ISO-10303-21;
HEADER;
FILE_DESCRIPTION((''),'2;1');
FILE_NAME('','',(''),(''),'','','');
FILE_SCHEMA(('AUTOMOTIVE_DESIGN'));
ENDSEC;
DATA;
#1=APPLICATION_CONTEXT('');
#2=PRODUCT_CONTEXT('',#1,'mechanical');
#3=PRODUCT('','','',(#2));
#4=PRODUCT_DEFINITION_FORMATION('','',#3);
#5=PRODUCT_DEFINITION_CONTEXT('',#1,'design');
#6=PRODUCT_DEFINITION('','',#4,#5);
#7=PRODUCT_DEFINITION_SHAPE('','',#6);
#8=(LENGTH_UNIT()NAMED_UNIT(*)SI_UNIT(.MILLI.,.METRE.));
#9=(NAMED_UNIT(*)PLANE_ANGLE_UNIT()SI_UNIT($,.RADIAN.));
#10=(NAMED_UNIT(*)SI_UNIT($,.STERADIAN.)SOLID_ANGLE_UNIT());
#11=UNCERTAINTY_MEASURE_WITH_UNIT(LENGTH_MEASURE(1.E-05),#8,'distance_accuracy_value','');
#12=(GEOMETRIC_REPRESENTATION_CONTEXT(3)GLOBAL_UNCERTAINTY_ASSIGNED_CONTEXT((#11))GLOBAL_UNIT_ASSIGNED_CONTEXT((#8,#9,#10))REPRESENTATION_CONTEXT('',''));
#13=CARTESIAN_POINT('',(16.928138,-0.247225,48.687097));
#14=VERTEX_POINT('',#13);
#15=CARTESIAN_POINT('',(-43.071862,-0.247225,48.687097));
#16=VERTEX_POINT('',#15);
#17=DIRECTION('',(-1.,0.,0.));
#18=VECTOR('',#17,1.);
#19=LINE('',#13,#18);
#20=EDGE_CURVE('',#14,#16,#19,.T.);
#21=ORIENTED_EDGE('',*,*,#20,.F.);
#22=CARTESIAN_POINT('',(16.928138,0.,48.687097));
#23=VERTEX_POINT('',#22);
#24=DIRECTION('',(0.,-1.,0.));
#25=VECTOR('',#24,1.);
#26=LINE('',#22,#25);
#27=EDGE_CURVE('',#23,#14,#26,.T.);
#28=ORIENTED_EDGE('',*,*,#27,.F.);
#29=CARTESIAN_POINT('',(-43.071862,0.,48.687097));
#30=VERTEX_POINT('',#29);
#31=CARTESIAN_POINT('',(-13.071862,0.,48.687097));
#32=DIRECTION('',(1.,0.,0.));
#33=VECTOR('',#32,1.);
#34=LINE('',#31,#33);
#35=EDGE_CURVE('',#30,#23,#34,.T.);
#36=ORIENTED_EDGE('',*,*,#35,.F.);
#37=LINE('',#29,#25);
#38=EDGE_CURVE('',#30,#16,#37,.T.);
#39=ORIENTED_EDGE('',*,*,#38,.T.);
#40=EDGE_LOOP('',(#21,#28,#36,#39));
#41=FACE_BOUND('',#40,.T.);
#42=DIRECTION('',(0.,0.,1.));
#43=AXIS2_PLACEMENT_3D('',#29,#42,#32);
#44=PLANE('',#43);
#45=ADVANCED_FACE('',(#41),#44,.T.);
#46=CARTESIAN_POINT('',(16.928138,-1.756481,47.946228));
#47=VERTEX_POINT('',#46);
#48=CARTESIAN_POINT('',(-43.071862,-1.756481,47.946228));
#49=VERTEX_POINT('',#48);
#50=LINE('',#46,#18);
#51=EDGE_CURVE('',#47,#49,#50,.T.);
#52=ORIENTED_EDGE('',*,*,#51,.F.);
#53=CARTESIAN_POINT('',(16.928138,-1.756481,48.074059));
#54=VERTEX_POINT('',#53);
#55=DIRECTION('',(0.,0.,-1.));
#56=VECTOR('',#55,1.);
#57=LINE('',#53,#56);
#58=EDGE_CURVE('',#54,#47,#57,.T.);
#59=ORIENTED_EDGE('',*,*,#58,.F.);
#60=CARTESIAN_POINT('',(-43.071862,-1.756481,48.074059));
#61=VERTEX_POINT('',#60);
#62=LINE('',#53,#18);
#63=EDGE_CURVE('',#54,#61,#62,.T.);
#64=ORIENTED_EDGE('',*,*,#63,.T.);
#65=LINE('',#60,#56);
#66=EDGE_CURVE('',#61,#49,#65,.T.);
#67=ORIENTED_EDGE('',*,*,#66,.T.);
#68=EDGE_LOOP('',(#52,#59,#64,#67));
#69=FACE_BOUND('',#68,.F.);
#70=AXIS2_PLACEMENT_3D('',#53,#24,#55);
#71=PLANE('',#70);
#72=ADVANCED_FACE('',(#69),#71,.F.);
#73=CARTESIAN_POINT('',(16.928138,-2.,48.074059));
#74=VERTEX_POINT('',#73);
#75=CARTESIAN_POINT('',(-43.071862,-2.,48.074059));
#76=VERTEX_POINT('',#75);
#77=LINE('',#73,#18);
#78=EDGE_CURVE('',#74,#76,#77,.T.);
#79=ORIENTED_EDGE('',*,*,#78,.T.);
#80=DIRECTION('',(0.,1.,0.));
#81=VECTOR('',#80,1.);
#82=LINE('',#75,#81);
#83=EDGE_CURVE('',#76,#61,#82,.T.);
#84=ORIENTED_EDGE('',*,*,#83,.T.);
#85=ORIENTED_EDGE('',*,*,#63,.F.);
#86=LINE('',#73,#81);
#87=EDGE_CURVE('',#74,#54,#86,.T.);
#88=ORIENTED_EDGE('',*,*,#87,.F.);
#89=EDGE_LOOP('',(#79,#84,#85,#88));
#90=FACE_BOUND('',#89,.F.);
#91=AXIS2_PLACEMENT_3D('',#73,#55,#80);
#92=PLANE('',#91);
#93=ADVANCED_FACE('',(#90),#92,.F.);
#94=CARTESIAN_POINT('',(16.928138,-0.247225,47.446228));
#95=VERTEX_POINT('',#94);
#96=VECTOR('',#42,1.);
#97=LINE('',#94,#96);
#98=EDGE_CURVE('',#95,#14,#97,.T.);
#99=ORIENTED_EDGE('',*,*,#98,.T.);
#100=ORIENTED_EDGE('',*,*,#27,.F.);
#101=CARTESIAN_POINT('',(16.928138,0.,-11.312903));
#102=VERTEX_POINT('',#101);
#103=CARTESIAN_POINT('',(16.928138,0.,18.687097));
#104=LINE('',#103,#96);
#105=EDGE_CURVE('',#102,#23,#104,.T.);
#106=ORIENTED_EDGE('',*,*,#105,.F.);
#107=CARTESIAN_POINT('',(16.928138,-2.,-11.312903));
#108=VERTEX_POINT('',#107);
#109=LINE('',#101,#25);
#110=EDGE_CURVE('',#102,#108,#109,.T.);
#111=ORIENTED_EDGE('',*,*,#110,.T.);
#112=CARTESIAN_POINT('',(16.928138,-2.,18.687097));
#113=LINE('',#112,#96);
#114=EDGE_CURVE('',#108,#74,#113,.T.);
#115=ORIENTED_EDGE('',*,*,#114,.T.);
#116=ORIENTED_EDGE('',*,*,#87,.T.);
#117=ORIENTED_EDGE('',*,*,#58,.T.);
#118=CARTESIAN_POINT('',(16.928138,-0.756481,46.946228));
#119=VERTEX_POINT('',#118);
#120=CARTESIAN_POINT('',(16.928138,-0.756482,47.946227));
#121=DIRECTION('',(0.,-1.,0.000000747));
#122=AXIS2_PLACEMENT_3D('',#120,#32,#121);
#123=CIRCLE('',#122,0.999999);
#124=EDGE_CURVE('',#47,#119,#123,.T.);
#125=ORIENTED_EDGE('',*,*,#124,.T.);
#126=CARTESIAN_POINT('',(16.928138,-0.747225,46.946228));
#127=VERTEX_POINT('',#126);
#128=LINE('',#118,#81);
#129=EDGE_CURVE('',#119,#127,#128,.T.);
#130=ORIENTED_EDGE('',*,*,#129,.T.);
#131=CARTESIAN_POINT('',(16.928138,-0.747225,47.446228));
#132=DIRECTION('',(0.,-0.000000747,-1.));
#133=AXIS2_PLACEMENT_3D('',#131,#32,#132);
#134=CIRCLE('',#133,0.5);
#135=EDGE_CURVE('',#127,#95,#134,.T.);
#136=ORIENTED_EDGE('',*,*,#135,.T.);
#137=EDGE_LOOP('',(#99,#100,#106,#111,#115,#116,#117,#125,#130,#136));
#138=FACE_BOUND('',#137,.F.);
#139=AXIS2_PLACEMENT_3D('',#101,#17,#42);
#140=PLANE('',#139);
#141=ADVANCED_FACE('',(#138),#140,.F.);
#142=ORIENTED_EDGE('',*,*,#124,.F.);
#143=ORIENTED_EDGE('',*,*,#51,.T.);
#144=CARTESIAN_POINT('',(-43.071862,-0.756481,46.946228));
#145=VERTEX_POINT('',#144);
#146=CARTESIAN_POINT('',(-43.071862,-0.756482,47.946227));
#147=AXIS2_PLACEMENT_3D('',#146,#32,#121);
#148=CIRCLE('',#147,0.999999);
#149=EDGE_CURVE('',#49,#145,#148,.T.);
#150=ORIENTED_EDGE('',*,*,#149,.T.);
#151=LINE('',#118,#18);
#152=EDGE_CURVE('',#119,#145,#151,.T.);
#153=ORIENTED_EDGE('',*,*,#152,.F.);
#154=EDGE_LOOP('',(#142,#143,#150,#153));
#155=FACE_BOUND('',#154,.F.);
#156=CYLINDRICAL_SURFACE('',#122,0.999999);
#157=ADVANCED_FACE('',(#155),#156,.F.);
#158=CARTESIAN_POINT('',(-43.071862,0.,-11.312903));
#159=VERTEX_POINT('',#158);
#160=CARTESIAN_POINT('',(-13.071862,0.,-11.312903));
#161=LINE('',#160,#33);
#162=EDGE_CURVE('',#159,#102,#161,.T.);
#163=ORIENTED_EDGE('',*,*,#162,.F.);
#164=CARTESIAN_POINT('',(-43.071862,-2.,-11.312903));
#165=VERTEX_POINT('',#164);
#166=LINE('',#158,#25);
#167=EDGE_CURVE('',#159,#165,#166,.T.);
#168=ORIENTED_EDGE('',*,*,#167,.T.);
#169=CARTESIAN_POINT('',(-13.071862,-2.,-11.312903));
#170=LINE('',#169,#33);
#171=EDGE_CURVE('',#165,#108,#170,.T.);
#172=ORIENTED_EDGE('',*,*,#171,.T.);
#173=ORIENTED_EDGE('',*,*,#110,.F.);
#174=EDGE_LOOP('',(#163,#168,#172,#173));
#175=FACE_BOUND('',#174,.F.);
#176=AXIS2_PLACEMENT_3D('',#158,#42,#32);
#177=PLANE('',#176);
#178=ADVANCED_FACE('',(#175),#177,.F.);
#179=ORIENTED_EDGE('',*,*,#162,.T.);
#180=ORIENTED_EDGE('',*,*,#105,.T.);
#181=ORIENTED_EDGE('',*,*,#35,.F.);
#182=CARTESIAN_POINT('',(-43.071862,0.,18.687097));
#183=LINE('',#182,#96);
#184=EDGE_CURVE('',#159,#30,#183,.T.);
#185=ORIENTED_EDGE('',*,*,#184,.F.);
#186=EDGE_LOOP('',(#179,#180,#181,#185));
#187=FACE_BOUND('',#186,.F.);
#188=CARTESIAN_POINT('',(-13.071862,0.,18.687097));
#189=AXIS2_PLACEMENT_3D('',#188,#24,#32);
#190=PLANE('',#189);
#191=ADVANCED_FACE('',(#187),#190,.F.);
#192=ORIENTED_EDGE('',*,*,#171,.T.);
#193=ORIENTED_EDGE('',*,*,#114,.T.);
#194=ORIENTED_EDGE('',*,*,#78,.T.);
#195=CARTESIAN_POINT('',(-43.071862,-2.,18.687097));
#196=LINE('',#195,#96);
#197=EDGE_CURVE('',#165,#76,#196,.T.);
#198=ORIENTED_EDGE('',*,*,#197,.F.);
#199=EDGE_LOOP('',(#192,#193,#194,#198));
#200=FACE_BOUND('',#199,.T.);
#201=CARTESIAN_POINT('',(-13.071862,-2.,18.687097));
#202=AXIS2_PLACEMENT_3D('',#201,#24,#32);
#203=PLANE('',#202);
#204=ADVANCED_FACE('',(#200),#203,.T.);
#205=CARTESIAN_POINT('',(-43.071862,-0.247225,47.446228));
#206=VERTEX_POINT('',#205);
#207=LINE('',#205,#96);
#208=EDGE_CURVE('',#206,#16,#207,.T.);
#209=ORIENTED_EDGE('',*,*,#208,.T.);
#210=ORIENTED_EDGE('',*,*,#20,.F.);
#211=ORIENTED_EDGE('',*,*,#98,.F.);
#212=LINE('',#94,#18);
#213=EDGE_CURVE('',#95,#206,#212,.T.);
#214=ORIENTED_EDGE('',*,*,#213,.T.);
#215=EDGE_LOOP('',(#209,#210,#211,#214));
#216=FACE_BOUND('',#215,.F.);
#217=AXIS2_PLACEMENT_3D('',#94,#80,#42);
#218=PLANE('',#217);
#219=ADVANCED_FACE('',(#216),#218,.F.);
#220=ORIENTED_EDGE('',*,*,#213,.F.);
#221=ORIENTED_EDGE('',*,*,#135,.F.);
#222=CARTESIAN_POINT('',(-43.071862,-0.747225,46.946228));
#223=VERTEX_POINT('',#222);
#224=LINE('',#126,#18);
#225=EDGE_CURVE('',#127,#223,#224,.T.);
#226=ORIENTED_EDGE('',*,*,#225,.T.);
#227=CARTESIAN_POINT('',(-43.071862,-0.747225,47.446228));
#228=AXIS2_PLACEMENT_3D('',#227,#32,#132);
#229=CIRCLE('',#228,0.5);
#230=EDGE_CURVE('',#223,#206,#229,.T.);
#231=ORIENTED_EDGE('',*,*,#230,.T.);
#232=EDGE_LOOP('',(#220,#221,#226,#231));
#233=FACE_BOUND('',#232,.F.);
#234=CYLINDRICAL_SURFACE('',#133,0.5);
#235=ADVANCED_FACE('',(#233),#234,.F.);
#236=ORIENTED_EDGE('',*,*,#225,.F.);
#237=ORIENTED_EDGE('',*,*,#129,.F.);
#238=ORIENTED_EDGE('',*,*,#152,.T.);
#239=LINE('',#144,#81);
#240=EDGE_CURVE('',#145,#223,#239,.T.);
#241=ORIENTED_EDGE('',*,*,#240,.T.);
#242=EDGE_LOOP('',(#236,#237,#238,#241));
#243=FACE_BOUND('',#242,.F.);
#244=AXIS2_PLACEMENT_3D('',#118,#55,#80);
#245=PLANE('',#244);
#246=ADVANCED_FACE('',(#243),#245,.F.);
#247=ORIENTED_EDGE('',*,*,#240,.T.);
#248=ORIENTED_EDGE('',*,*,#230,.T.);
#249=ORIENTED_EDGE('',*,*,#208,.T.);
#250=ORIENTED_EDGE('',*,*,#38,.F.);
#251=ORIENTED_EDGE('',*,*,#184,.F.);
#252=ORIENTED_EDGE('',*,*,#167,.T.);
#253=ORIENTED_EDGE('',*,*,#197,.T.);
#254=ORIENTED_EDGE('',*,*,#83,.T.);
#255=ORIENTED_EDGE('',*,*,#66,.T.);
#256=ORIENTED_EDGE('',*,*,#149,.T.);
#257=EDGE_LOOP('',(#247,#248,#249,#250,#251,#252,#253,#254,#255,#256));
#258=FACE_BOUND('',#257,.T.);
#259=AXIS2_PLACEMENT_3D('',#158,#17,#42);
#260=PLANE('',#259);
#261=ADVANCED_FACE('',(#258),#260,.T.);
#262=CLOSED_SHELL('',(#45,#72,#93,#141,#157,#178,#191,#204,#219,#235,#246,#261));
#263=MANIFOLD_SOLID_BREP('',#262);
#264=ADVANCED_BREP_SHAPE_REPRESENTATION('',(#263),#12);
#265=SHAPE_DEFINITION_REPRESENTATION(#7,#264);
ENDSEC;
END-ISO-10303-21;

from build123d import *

# Parameters (mm, degrees)
F0_W     = 60
F0_H     = 60
F1_DEPTH = 2
F3_DEPTH = 60


with BuildPart() as f1:
    # F0 (on Front) → F1 (new body)
    with BuildSketch(Plane.XZ):
        with Locations((-13.071862, 18.687097)):
            Rectangle(F0_W, F0_H)
    extrude(amount=F1_DEPTH)

    # F2 (on face) → F3 (cut)
    with BuildSketch(Plane.YZ.offset(16.928138)):
        with BuildLine():
            Line((-0.247225, 47.446228), (-0.247225, 48.687097))
            Line((-0.247225, 48.687097), (-2, 48.687097))
            Line((-2, 48.687097), (-2, 48.074059))
            Line((-2, 48.074059), (-1.756481, 48.074059))
            Line((-1.756481, 48.074059), (-1.756481, 47.946228))
            ThreePointArc((-1.756481, 47.946228), (-1.463588, 47.239121), (-0.756481, 46.946228))
            Line((-0.756481, 46.946228), (-0.747225, 46.946228))
            ThreePointArc((-0.747225, 46.946228), (-0.393672, 47.092674), (-0.247225, 47.446228))
        make_face()
    extrude(amount=-F3_DEPTH, mode=Mode.SUBTRACT)


solid = f1.part
